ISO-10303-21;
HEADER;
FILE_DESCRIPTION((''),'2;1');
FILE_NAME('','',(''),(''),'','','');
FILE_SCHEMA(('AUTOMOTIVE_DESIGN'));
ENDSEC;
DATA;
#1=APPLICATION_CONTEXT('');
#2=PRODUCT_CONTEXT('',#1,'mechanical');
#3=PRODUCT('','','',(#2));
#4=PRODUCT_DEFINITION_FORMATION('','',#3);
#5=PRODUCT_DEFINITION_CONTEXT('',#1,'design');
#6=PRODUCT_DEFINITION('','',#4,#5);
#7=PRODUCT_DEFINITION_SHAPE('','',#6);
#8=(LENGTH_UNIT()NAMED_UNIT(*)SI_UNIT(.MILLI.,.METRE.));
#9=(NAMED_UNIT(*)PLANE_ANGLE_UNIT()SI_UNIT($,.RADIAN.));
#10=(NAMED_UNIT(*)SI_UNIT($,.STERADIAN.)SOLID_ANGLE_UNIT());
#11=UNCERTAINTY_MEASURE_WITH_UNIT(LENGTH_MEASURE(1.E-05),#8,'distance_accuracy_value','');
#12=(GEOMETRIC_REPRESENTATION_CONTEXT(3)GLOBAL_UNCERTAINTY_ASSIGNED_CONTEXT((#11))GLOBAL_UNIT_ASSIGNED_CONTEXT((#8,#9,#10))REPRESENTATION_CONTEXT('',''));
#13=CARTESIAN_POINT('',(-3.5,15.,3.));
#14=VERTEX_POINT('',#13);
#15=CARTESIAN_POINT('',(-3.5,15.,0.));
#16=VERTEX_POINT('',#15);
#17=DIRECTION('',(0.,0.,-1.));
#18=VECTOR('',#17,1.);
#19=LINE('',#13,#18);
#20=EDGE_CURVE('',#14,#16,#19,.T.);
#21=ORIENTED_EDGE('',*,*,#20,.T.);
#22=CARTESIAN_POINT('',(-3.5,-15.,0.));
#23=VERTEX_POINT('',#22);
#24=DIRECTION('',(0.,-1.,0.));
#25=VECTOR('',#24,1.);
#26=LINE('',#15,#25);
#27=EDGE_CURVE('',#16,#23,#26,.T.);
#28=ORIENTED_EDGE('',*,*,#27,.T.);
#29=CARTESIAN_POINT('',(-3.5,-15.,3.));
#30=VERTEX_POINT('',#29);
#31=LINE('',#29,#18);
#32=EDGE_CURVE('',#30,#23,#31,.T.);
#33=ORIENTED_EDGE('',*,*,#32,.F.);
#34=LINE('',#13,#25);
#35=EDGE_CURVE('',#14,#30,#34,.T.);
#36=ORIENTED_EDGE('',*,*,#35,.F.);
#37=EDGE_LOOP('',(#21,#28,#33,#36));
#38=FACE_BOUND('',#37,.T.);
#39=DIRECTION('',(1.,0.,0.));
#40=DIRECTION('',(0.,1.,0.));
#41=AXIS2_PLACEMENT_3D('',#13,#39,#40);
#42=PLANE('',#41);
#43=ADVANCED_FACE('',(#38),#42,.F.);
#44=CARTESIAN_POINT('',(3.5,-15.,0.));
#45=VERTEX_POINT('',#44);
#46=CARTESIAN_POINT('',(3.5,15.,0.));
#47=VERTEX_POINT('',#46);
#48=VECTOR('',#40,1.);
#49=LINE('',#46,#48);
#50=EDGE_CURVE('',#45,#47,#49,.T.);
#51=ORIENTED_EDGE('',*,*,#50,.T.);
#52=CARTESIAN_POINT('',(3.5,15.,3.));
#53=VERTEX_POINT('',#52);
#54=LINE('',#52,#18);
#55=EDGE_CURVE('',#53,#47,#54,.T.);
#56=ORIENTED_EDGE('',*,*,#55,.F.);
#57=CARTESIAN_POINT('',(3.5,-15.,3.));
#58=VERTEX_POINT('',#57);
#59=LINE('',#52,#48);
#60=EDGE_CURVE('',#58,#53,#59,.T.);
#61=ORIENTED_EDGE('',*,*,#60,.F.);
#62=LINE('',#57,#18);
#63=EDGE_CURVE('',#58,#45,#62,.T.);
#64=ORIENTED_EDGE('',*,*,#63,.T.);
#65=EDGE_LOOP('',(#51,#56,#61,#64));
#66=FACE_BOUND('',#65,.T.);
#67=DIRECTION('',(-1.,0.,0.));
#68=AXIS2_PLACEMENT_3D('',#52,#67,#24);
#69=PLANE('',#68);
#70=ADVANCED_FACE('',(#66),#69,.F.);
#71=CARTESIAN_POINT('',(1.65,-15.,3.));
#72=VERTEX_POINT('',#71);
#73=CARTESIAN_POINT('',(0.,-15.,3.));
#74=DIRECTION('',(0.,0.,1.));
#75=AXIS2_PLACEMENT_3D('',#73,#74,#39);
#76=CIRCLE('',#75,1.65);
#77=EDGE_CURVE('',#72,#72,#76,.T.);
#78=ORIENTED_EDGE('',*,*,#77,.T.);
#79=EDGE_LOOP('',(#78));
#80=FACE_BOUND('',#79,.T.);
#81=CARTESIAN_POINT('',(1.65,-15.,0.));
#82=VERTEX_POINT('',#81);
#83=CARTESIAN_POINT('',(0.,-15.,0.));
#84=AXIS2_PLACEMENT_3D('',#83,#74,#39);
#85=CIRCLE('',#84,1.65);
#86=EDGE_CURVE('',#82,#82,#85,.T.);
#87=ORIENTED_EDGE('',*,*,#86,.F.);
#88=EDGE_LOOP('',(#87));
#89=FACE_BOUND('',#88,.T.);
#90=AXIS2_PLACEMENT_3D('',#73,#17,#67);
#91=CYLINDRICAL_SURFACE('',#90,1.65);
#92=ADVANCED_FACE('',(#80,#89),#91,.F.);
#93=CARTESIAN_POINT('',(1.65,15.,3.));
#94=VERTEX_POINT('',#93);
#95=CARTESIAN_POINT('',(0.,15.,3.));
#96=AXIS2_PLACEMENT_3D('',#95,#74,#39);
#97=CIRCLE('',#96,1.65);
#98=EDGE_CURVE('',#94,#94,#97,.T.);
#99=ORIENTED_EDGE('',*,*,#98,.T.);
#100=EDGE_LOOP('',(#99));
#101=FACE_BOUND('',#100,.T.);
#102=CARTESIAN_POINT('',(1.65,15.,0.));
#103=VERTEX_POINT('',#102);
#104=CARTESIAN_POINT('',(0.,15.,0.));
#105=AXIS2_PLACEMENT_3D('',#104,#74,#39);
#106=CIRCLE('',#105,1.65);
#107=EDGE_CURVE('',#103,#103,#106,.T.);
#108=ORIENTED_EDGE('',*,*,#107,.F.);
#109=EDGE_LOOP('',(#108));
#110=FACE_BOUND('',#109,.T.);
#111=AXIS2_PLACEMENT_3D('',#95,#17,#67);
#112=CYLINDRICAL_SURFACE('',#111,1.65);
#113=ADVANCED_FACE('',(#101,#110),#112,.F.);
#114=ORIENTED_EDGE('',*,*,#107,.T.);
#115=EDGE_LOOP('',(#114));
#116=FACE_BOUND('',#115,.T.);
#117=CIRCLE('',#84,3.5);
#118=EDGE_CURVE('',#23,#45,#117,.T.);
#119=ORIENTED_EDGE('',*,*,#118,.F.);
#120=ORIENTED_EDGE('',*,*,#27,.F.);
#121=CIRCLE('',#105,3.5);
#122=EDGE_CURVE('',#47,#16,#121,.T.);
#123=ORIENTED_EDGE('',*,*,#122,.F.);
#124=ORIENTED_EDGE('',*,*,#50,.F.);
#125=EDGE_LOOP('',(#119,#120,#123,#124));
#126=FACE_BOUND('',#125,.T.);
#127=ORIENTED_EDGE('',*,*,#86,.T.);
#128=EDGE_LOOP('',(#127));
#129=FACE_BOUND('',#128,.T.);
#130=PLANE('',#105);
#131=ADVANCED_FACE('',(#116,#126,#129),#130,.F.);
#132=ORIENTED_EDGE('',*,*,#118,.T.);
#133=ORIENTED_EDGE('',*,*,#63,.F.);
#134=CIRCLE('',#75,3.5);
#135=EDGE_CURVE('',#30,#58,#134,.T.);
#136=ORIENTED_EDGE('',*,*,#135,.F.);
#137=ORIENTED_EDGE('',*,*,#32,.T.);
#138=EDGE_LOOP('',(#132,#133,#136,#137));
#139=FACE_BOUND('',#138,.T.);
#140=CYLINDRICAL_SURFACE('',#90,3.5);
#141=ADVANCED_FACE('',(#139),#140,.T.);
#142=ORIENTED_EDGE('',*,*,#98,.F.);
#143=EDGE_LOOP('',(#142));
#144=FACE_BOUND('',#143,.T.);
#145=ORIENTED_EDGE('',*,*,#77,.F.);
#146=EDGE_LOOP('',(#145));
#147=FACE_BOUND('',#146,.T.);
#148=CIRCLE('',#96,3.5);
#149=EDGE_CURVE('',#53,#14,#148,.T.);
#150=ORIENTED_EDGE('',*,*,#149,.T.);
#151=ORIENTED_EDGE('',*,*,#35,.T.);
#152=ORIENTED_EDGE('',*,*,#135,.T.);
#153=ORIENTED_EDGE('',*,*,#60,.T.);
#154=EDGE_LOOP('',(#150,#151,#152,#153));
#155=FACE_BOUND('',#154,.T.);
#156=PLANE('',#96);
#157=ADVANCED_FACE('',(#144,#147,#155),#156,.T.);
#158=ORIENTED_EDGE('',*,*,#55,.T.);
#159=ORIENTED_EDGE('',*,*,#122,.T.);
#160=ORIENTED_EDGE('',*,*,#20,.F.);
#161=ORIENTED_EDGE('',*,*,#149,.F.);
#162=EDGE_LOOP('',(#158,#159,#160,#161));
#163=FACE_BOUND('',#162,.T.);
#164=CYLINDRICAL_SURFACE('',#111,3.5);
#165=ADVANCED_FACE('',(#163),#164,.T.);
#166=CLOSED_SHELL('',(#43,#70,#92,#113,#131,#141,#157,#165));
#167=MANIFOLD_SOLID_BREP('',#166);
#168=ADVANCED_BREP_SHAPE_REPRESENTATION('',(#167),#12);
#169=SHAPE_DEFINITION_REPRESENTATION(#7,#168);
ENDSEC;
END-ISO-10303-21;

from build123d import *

# Parameters (mm, degrees)
SKETCH_1_R      = 1.65
EXTRUDE_1_DEPTH = 3


with BuildPart() as part:
    # 草图1 → 凸台-拉伸1 (new body)
    with BuildSketch(Plane.XY):
        with BuildLine():
            Line((3.5, 15), (3.5, -15))
            ThreePointArc((3.5, -15), (0, -18.5), (-3.5, -15))
            Line((-3.5, -15), (-3.5, 15))
            ThreePointArc((-3.5, 15), (0, 18.5), (3.5, 15))
        make_face()
        with Locations((0, 15)):
            Circle(SKETCH_1_R, mode=Mode.SUBTRACT)
        with Locations((0, -15)):
            Circle(SKETCH_1_R, mode=Mode.SUBTRACT)
    extrude(amount=EXTRUDE_1_DEPTH)


solid = part.part
